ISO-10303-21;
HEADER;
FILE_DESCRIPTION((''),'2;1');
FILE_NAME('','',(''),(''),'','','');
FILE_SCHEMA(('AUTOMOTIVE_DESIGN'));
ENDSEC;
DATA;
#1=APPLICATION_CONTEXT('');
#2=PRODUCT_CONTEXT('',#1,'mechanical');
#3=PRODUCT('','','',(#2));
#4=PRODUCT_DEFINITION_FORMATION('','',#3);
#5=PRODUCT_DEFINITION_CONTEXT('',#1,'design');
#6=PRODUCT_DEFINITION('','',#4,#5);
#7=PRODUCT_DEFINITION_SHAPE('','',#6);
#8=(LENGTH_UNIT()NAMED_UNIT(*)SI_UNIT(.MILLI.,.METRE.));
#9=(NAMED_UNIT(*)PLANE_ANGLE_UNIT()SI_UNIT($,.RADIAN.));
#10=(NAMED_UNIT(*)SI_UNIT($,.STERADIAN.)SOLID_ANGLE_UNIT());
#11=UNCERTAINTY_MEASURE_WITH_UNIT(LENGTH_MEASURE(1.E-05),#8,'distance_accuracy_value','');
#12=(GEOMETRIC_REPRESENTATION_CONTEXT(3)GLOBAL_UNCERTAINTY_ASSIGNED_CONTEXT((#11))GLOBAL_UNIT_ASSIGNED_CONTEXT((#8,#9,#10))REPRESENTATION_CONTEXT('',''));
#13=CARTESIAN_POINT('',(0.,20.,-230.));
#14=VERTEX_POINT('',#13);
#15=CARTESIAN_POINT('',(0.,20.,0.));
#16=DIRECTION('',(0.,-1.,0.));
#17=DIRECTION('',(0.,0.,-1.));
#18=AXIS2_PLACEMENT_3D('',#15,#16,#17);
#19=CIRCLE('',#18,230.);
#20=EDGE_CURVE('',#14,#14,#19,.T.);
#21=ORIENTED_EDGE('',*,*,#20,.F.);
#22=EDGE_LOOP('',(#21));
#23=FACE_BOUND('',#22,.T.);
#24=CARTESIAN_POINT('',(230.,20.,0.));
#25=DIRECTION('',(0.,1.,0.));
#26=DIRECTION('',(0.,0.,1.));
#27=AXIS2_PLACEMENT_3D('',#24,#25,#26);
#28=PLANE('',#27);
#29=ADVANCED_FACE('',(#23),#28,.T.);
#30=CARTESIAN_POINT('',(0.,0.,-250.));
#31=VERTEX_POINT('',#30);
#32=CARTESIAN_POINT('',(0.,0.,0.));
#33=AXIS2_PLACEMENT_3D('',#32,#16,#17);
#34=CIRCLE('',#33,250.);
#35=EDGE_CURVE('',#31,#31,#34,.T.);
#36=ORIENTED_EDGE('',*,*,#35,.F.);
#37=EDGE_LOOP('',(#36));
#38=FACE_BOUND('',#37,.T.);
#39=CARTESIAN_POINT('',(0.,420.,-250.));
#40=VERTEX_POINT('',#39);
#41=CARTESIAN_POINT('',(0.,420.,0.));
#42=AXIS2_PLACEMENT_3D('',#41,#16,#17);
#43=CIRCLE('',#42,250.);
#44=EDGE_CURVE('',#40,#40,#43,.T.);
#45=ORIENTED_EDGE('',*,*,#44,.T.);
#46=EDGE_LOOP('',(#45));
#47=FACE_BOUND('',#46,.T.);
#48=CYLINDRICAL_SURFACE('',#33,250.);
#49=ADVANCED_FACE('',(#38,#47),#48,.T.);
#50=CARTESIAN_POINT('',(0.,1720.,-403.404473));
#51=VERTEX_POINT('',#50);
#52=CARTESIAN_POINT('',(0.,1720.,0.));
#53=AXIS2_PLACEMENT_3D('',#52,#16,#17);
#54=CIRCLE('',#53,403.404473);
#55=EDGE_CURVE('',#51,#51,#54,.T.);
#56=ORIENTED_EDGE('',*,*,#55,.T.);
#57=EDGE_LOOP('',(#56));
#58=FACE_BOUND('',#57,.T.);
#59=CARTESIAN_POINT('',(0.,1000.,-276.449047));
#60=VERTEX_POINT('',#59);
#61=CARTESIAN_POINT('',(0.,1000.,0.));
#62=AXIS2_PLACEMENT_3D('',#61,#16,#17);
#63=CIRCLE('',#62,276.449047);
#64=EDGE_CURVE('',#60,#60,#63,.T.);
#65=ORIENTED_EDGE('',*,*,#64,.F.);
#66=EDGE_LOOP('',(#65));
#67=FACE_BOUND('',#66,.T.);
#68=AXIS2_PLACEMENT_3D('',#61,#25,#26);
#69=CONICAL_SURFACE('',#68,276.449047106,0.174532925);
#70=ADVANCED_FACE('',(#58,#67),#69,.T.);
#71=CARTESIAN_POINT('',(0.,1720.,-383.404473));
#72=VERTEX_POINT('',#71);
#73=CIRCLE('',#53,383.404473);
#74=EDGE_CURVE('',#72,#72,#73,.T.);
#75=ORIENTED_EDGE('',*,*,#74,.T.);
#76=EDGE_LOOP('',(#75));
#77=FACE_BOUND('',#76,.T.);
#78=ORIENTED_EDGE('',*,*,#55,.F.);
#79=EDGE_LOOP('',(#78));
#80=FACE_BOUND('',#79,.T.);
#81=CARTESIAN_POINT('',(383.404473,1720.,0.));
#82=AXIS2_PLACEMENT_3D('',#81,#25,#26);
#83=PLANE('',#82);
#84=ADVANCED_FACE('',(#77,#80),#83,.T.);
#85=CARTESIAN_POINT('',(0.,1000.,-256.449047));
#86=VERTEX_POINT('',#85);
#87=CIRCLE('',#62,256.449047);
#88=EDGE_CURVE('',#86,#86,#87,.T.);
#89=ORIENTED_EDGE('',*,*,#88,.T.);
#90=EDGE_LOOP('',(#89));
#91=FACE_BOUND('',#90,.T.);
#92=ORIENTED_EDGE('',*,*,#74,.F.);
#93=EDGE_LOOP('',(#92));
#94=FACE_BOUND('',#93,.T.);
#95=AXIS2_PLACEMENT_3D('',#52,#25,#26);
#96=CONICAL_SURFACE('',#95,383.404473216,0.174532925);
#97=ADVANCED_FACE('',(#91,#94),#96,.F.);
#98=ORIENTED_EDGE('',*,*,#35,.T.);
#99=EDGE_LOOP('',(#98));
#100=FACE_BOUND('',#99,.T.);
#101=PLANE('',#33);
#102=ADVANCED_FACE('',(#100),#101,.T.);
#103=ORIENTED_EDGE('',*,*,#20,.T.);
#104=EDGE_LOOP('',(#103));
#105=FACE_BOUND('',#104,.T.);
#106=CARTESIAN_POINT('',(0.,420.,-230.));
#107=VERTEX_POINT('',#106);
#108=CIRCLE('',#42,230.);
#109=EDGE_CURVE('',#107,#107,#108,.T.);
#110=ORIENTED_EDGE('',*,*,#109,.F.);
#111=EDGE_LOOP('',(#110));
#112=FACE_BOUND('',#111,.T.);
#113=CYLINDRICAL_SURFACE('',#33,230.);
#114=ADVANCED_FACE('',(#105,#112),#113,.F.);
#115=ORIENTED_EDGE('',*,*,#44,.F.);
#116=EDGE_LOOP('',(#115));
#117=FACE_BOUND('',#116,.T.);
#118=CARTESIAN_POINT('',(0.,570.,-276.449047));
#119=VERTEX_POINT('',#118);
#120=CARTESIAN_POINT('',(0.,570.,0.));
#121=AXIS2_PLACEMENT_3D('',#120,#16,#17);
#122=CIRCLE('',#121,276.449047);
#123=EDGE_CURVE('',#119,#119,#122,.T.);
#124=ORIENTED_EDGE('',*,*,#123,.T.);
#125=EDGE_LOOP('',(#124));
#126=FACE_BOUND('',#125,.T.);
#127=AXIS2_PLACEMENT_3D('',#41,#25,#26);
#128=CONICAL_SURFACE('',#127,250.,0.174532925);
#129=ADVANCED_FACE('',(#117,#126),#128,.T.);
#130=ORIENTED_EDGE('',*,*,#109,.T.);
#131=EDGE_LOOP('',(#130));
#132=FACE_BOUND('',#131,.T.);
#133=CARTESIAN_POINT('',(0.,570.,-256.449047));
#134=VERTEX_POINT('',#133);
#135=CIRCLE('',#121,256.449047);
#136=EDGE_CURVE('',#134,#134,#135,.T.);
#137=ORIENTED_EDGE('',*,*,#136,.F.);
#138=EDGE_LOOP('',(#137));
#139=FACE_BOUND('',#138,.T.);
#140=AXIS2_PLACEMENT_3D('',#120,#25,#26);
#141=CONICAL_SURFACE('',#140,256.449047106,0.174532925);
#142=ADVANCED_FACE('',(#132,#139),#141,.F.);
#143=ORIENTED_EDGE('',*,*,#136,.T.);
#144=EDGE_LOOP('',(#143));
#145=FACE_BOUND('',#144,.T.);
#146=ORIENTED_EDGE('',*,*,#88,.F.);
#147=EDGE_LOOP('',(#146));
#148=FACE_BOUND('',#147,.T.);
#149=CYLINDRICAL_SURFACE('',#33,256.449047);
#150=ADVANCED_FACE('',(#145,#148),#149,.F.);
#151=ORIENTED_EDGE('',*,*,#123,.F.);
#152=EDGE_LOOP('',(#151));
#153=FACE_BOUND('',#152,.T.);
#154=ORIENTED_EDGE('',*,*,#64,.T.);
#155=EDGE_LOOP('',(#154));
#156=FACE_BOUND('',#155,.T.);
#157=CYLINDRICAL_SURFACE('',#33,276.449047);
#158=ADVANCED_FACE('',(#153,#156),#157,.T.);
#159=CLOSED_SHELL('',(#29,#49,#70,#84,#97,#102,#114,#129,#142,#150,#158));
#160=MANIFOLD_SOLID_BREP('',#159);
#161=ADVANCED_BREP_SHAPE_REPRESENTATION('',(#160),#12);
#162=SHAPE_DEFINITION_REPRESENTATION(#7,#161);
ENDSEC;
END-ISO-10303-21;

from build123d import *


with BuildPart() as part:
    # 草图1 → 旋转1 (revolve)
    with BuildSketch(Plane.XY, mode=Mode.PRIVATE) as revolve_1_sk:
        Polygon((0, 0), (250, 0), (250, 420), (276.449047106, 570), (276.449047106, 1000), (403.404473216, 1720), (383.404473216, 1720), (256.449047106, 1000), (256.449047106, 570), (230, 420), (230, 20), (0, 20), align=None)
    revolve(revolve_1_sk.sketch.rotate(Axis((0, 0, 0), (0, 1, 0)), 90), axis=Axis((0, 0, 0), (0, 1, 0)))


solid = part.part
